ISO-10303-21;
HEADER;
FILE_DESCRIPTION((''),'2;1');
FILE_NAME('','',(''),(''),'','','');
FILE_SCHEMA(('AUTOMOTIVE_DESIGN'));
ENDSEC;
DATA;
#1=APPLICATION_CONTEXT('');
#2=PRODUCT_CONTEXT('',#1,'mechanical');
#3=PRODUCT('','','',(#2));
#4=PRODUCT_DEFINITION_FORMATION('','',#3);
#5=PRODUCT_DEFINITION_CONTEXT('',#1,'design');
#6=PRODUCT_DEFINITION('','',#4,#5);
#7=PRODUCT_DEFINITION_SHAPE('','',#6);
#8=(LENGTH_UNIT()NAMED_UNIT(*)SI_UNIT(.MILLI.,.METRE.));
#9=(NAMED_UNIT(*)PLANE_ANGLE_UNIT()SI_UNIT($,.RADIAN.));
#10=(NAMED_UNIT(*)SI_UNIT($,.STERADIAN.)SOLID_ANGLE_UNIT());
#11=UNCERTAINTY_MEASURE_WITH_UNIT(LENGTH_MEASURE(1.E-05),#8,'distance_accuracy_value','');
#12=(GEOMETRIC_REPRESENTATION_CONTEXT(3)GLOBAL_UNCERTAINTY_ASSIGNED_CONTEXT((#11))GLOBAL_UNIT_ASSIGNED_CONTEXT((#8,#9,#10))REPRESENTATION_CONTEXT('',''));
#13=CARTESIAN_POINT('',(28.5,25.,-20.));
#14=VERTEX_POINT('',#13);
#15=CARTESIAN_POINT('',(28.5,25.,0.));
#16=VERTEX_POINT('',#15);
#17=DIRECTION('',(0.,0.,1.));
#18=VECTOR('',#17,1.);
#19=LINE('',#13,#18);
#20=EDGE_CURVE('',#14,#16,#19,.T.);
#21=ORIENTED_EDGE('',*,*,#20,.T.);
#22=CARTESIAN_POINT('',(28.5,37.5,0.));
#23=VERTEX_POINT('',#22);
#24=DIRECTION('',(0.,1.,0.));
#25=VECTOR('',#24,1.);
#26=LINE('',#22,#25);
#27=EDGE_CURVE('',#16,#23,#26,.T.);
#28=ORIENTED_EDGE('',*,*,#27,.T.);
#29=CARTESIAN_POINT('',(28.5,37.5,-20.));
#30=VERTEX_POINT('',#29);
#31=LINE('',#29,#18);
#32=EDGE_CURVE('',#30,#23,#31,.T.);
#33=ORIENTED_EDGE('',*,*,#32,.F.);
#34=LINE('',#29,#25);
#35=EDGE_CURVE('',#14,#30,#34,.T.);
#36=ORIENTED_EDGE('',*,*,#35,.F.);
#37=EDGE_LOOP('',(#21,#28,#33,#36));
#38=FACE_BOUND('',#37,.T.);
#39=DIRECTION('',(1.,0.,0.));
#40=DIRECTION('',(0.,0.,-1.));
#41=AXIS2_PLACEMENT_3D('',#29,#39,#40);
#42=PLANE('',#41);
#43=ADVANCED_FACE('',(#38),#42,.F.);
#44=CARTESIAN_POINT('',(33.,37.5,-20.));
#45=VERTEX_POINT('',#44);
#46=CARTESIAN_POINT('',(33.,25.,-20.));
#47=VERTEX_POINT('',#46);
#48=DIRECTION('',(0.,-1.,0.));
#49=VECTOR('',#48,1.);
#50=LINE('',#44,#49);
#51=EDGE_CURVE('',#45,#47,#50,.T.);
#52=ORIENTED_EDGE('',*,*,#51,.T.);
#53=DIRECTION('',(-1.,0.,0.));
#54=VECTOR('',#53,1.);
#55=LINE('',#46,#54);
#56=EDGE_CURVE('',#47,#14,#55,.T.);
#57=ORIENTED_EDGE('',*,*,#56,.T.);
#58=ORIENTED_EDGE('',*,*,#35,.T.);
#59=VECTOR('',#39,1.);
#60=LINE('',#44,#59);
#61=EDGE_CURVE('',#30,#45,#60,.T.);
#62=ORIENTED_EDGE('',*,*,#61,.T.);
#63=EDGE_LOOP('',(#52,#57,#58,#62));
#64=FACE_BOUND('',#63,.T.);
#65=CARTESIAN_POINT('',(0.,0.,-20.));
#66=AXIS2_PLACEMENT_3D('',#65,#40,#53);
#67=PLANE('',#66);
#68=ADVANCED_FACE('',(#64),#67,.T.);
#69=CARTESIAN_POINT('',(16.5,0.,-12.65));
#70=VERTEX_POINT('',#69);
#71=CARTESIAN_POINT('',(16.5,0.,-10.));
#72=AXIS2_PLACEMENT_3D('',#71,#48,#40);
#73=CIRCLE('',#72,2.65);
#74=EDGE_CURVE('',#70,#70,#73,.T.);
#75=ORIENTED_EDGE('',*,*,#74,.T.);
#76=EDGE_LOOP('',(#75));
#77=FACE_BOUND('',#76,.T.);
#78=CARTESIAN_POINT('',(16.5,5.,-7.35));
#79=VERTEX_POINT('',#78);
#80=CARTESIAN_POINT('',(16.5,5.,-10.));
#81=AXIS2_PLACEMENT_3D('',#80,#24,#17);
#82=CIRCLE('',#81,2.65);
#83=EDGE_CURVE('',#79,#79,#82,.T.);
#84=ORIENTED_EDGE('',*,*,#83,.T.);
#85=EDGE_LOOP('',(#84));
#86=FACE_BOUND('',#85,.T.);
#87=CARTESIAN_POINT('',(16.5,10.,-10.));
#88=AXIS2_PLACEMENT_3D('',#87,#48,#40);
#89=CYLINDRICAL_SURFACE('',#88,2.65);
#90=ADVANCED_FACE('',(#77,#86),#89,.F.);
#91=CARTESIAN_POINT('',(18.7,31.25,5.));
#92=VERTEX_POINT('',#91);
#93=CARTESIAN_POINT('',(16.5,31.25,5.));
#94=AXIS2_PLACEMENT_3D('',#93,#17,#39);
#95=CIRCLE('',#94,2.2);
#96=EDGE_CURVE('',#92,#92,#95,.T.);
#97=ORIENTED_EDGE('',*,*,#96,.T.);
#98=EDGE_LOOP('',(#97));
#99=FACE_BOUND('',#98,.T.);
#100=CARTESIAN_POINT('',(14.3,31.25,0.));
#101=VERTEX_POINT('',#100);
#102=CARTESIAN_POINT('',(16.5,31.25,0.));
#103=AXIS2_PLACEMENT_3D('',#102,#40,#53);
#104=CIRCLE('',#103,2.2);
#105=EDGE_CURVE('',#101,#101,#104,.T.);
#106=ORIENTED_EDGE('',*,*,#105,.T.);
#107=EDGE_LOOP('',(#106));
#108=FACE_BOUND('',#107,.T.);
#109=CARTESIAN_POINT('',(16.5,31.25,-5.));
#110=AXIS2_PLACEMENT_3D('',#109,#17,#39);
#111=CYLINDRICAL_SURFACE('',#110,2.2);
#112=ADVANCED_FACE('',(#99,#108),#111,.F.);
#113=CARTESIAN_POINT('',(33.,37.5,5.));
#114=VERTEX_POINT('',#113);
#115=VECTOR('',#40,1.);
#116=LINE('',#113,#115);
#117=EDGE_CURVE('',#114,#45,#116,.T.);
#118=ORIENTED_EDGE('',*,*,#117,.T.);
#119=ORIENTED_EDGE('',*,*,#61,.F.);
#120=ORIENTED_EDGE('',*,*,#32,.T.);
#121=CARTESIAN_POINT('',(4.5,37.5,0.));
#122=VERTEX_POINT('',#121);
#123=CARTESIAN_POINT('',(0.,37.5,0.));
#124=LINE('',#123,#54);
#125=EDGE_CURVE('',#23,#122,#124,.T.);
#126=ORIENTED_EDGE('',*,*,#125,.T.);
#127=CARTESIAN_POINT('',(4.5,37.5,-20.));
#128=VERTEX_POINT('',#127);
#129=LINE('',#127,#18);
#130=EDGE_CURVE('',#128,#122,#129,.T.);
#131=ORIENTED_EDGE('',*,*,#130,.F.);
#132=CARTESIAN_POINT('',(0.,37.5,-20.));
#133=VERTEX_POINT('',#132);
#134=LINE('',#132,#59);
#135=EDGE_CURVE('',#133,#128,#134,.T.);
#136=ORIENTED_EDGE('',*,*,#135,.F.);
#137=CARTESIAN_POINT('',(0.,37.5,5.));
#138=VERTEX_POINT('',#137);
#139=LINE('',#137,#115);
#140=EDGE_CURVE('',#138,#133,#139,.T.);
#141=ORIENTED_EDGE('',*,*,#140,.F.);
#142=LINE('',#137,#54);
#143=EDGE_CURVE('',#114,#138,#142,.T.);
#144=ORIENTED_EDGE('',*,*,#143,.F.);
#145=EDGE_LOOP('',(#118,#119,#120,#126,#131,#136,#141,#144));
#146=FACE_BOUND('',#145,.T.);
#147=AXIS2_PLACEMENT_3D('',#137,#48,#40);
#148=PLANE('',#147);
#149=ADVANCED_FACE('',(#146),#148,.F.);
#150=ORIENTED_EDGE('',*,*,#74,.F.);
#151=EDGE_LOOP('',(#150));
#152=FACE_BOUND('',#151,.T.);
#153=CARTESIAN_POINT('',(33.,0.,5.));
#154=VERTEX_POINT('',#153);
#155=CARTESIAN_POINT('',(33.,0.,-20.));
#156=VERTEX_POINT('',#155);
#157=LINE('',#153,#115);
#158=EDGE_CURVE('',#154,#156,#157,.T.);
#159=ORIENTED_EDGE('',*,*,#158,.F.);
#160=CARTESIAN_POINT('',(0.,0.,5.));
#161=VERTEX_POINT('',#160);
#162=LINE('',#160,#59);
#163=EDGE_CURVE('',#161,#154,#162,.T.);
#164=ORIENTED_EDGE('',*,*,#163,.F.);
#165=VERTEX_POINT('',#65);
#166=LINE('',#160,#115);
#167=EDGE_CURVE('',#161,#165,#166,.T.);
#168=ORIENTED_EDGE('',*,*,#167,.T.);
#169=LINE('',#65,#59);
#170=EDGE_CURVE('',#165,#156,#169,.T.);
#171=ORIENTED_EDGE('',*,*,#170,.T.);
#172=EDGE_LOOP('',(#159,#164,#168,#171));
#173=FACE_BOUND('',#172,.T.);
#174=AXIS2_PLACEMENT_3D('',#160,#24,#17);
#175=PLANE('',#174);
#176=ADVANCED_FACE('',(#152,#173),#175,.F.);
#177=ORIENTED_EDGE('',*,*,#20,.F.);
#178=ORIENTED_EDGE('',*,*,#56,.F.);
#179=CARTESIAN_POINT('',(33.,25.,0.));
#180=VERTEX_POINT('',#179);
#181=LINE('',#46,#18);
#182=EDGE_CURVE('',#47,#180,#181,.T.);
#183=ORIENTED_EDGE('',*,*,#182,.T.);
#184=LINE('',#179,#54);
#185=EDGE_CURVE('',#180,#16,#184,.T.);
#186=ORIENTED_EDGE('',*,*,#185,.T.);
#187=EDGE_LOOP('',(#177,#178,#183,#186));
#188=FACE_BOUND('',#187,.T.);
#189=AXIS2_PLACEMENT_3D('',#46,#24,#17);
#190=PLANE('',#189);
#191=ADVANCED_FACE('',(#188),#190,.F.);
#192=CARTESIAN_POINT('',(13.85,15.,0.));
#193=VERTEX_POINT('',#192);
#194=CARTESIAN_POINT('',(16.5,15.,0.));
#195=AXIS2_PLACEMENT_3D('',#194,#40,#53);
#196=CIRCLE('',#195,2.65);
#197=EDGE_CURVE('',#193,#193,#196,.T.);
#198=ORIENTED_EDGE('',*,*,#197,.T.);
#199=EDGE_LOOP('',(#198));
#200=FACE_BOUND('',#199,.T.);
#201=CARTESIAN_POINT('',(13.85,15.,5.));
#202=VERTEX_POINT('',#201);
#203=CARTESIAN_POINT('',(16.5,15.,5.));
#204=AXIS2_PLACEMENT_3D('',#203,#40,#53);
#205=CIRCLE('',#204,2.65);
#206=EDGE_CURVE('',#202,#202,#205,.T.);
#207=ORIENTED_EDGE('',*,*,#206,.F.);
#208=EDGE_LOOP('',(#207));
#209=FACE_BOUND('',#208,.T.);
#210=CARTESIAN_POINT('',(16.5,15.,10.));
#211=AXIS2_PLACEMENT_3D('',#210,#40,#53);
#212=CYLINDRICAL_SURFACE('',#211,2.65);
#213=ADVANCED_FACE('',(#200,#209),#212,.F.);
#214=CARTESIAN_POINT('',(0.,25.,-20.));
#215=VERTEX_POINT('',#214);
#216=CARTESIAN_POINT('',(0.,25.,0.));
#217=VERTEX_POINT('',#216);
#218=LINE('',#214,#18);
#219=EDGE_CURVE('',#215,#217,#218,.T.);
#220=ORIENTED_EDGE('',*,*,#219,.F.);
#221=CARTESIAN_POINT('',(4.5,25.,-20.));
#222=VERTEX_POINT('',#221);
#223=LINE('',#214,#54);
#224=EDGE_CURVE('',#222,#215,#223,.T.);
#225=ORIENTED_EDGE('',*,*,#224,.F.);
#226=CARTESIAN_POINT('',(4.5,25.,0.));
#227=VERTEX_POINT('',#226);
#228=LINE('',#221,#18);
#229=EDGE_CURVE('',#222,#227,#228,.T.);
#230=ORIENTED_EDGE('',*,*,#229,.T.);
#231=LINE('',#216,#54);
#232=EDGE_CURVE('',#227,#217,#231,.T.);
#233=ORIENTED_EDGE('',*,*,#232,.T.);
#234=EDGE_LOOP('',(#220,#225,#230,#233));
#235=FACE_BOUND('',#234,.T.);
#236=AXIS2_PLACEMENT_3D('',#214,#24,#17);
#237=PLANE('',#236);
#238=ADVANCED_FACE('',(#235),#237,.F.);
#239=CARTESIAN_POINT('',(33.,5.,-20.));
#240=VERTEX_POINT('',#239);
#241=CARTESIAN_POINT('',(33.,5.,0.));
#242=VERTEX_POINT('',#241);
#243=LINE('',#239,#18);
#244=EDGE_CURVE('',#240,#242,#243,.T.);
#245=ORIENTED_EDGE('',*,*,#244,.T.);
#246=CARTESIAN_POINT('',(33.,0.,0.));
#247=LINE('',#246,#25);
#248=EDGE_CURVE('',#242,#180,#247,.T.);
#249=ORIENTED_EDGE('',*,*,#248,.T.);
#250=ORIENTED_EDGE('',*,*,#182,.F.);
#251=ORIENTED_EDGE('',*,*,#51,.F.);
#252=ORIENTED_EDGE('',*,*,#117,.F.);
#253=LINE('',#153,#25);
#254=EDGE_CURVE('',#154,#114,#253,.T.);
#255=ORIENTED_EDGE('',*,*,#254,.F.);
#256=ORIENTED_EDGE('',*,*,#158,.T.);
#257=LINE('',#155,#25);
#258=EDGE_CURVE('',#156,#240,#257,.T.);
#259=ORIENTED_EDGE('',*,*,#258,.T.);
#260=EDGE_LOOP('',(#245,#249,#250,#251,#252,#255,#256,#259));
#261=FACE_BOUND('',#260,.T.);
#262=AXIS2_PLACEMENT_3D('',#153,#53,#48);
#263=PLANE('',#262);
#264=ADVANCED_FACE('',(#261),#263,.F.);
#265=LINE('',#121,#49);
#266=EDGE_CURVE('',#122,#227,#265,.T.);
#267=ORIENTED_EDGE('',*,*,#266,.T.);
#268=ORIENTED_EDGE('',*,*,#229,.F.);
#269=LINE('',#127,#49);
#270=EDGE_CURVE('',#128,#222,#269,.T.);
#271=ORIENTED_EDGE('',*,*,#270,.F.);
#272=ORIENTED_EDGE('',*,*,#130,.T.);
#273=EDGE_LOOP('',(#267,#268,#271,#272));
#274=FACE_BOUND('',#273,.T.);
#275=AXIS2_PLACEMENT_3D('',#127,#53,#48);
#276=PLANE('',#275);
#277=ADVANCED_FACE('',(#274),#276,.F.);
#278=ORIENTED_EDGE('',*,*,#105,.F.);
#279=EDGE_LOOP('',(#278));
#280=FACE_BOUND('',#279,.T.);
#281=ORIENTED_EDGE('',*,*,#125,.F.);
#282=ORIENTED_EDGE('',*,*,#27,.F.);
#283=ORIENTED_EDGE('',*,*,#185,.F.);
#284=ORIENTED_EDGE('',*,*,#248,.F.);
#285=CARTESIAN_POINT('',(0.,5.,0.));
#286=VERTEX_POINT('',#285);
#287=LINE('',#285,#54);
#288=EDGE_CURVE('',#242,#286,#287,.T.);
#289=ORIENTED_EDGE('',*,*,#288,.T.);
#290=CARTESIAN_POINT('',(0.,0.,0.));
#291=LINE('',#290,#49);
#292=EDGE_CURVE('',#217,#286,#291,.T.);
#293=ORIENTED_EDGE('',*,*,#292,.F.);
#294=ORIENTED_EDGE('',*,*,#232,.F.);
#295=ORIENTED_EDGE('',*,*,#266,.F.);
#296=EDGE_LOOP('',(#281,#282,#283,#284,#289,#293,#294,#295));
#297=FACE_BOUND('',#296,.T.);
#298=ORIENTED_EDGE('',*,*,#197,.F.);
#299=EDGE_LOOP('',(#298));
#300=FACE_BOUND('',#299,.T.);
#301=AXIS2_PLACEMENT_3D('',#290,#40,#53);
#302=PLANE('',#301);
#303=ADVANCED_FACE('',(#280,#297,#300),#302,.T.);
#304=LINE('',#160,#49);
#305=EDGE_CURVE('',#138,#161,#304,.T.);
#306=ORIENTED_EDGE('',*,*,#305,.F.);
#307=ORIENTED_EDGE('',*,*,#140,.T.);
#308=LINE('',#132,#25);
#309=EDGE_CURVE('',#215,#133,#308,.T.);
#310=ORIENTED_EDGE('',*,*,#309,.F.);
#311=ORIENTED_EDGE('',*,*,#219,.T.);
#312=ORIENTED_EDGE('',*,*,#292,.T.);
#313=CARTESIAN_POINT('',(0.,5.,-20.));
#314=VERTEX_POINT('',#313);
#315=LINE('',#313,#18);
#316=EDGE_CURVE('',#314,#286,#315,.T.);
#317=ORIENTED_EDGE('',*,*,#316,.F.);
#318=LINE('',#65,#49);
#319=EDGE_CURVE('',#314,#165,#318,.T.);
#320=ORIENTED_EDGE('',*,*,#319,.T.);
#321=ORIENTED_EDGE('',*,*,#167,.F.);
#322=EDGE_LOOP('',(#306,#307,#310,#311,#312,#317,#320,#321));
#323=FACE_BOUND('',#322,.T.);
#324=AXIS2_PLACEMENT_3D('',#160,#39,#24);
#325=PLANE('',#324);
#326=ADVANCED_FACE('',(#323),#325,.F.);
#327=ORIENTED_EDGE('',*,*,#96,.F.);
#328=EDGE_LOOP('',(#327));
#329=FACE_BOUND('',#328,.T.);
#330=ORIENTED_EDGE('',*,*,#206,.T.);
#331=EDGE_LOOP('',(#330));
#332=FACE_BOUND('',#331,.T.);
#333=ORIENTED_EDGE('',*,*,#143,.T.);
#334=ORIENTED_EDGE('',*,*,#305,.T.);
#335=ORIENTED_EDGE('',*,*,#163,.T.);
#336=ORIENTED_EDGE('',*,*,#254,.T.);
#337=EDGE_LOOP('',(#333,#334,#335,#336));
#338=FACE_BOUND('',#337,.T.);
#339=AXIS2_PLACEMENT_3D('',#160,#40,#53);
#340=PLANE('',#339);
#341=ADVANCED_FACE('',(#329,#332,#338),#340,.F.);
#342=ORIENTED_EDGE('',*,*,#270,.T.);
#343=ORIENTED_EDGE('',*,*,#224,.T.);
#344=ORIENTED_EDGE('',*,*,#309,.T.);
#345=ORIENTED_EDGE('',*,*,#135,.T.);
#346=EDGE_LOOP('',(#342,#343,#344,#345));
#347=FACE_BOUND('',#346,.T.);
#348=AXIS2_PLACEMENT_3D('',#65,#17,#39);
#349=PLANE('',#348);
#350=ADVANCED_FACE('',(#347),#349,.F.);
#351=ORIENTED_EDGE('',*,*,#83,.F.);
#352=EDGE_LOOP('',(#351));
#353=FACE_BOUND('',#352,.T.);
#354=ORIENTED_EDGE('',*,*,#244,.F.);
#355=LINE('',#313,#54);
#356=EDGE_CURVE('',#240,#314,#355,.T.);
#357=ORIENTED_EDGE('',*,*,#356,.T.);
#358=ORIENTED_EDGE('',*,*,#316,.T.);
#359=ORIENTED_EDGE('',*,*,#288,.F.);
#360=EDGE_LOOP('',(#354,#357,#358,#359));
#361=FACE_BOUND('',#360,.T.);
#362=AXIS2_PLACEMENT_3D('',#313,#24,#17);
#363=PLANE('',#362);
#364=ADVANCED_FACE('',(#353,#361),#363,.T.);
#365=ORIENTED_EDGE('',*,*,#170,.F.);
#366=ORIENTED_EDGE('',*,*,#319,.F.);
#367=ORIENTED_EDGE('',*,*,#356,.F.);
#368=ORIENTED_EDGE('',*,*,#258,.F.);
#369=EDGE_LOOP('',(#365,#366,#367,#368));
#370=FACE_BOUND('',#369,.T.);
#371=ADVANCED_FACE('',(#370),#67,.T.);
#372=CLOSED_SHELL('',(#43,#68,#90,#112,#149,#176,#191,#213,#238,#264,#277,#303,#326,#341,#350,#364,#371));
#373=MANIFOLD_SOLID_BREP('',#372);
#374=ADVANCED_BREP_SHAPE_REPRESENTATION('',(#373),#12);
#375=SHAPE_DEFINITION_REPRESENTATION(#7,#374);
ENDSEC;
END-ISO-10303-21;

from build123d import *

# Parameters (mm, degrees)
SKETCH2_W           = 33
SKETCH2_H           = 37.5
BOSS_EXTRUDE1_DEPTH = 5
SKETCH3_W           = 33
SKETCH3_H           = 5
BOSS_EXTRUDE2_DEPTH = 20
SKETCH6_R           = 2.65
CUT_EXTRUDE2_DEPTH  = 10
SKETCH7_R           = 2.65
CUT_EXTRUDE3_DEPTH  = 10
SKETCH8_W           = 4.5
SKETCH8_H           = 12.5
BOSS_EXTRUDE3_DEPTH = 20
SKETCH9_R           = 2.2
CUT_EXTRUDE4_DEPTH  = 10


with BuildPart() as part:
    # Sketch2 → Boss-Extrude1 (new body)
    with BuildSketch(Plane.XY):
        with Locations((16.5, 18.75)):
            Rectangle(SKETCH2_W, SKETCH2_H)
    extrude(amount=BOSS_EXTRUDE1_DEPTH)

    # Sketch3 → Boss-Extrude2 (add)
    with BuildSketch(Plane.XY):
        with Locations((16.5, 2.5)):
            Rectangle(SKETCH3_W, SKETCH3_H)
    extrude(amount=-BOSS_EXTRUDE2_DEPTH)

    # Sketch6 → Cut-Extrude2 (cut)
    with BuildSketch(Plane.XZ):
        with Locations(Location((16.5, -10, 0), (0, 0, 270))):
            Circle(SKETCH6_R)
    extrude(amount=-CUT_EXTRUDE2_DEPTH, mode=Mode.SUBTRACT)

    # Sketch7 → Cut-Extrude3 (cut)
    with BuildSketch(Plane(origin=(0, 0, 0), x_dir=(-1, 0, 0), z_dir=(0, 0, -1))):
        with Locations((-16.5, 15)):
            Circle(SKETCH7_R)
    extrude(amount=-CUT_EXTRUDE3_DEPTH, mode=Mode.SUBTRACT)

    # Sketch8 → Boss-Extrude3 (add)
    with BuildSketch(Plane(origin=(0, 0, 0), x_dir=(-1, 0, 0), z_dir=(0, 0, -1))):
        with Locations((-30.75, 31.25)):
            Rectangle(SKETCH8_W, SKETCH8_H)
        with Locations((-2.25, 31.25)):
            Rectangle(SKETCH8_W, SKETCH8_H)
    extrude(amount=BOSS_EXTRUDE3_DEPTH)

    # Sketch9 → Cut-Extrude4 (cut)
    with BuildSketch(Plane.XY.offset(5)):
        with Locations((16.5, 31.25)):
            Circle(SKETCH9_R)
    extrude(amount=-CUT_EXTRUDE4_DEPTH, mode=Mode.SUBTRACT)


solid = part.part
